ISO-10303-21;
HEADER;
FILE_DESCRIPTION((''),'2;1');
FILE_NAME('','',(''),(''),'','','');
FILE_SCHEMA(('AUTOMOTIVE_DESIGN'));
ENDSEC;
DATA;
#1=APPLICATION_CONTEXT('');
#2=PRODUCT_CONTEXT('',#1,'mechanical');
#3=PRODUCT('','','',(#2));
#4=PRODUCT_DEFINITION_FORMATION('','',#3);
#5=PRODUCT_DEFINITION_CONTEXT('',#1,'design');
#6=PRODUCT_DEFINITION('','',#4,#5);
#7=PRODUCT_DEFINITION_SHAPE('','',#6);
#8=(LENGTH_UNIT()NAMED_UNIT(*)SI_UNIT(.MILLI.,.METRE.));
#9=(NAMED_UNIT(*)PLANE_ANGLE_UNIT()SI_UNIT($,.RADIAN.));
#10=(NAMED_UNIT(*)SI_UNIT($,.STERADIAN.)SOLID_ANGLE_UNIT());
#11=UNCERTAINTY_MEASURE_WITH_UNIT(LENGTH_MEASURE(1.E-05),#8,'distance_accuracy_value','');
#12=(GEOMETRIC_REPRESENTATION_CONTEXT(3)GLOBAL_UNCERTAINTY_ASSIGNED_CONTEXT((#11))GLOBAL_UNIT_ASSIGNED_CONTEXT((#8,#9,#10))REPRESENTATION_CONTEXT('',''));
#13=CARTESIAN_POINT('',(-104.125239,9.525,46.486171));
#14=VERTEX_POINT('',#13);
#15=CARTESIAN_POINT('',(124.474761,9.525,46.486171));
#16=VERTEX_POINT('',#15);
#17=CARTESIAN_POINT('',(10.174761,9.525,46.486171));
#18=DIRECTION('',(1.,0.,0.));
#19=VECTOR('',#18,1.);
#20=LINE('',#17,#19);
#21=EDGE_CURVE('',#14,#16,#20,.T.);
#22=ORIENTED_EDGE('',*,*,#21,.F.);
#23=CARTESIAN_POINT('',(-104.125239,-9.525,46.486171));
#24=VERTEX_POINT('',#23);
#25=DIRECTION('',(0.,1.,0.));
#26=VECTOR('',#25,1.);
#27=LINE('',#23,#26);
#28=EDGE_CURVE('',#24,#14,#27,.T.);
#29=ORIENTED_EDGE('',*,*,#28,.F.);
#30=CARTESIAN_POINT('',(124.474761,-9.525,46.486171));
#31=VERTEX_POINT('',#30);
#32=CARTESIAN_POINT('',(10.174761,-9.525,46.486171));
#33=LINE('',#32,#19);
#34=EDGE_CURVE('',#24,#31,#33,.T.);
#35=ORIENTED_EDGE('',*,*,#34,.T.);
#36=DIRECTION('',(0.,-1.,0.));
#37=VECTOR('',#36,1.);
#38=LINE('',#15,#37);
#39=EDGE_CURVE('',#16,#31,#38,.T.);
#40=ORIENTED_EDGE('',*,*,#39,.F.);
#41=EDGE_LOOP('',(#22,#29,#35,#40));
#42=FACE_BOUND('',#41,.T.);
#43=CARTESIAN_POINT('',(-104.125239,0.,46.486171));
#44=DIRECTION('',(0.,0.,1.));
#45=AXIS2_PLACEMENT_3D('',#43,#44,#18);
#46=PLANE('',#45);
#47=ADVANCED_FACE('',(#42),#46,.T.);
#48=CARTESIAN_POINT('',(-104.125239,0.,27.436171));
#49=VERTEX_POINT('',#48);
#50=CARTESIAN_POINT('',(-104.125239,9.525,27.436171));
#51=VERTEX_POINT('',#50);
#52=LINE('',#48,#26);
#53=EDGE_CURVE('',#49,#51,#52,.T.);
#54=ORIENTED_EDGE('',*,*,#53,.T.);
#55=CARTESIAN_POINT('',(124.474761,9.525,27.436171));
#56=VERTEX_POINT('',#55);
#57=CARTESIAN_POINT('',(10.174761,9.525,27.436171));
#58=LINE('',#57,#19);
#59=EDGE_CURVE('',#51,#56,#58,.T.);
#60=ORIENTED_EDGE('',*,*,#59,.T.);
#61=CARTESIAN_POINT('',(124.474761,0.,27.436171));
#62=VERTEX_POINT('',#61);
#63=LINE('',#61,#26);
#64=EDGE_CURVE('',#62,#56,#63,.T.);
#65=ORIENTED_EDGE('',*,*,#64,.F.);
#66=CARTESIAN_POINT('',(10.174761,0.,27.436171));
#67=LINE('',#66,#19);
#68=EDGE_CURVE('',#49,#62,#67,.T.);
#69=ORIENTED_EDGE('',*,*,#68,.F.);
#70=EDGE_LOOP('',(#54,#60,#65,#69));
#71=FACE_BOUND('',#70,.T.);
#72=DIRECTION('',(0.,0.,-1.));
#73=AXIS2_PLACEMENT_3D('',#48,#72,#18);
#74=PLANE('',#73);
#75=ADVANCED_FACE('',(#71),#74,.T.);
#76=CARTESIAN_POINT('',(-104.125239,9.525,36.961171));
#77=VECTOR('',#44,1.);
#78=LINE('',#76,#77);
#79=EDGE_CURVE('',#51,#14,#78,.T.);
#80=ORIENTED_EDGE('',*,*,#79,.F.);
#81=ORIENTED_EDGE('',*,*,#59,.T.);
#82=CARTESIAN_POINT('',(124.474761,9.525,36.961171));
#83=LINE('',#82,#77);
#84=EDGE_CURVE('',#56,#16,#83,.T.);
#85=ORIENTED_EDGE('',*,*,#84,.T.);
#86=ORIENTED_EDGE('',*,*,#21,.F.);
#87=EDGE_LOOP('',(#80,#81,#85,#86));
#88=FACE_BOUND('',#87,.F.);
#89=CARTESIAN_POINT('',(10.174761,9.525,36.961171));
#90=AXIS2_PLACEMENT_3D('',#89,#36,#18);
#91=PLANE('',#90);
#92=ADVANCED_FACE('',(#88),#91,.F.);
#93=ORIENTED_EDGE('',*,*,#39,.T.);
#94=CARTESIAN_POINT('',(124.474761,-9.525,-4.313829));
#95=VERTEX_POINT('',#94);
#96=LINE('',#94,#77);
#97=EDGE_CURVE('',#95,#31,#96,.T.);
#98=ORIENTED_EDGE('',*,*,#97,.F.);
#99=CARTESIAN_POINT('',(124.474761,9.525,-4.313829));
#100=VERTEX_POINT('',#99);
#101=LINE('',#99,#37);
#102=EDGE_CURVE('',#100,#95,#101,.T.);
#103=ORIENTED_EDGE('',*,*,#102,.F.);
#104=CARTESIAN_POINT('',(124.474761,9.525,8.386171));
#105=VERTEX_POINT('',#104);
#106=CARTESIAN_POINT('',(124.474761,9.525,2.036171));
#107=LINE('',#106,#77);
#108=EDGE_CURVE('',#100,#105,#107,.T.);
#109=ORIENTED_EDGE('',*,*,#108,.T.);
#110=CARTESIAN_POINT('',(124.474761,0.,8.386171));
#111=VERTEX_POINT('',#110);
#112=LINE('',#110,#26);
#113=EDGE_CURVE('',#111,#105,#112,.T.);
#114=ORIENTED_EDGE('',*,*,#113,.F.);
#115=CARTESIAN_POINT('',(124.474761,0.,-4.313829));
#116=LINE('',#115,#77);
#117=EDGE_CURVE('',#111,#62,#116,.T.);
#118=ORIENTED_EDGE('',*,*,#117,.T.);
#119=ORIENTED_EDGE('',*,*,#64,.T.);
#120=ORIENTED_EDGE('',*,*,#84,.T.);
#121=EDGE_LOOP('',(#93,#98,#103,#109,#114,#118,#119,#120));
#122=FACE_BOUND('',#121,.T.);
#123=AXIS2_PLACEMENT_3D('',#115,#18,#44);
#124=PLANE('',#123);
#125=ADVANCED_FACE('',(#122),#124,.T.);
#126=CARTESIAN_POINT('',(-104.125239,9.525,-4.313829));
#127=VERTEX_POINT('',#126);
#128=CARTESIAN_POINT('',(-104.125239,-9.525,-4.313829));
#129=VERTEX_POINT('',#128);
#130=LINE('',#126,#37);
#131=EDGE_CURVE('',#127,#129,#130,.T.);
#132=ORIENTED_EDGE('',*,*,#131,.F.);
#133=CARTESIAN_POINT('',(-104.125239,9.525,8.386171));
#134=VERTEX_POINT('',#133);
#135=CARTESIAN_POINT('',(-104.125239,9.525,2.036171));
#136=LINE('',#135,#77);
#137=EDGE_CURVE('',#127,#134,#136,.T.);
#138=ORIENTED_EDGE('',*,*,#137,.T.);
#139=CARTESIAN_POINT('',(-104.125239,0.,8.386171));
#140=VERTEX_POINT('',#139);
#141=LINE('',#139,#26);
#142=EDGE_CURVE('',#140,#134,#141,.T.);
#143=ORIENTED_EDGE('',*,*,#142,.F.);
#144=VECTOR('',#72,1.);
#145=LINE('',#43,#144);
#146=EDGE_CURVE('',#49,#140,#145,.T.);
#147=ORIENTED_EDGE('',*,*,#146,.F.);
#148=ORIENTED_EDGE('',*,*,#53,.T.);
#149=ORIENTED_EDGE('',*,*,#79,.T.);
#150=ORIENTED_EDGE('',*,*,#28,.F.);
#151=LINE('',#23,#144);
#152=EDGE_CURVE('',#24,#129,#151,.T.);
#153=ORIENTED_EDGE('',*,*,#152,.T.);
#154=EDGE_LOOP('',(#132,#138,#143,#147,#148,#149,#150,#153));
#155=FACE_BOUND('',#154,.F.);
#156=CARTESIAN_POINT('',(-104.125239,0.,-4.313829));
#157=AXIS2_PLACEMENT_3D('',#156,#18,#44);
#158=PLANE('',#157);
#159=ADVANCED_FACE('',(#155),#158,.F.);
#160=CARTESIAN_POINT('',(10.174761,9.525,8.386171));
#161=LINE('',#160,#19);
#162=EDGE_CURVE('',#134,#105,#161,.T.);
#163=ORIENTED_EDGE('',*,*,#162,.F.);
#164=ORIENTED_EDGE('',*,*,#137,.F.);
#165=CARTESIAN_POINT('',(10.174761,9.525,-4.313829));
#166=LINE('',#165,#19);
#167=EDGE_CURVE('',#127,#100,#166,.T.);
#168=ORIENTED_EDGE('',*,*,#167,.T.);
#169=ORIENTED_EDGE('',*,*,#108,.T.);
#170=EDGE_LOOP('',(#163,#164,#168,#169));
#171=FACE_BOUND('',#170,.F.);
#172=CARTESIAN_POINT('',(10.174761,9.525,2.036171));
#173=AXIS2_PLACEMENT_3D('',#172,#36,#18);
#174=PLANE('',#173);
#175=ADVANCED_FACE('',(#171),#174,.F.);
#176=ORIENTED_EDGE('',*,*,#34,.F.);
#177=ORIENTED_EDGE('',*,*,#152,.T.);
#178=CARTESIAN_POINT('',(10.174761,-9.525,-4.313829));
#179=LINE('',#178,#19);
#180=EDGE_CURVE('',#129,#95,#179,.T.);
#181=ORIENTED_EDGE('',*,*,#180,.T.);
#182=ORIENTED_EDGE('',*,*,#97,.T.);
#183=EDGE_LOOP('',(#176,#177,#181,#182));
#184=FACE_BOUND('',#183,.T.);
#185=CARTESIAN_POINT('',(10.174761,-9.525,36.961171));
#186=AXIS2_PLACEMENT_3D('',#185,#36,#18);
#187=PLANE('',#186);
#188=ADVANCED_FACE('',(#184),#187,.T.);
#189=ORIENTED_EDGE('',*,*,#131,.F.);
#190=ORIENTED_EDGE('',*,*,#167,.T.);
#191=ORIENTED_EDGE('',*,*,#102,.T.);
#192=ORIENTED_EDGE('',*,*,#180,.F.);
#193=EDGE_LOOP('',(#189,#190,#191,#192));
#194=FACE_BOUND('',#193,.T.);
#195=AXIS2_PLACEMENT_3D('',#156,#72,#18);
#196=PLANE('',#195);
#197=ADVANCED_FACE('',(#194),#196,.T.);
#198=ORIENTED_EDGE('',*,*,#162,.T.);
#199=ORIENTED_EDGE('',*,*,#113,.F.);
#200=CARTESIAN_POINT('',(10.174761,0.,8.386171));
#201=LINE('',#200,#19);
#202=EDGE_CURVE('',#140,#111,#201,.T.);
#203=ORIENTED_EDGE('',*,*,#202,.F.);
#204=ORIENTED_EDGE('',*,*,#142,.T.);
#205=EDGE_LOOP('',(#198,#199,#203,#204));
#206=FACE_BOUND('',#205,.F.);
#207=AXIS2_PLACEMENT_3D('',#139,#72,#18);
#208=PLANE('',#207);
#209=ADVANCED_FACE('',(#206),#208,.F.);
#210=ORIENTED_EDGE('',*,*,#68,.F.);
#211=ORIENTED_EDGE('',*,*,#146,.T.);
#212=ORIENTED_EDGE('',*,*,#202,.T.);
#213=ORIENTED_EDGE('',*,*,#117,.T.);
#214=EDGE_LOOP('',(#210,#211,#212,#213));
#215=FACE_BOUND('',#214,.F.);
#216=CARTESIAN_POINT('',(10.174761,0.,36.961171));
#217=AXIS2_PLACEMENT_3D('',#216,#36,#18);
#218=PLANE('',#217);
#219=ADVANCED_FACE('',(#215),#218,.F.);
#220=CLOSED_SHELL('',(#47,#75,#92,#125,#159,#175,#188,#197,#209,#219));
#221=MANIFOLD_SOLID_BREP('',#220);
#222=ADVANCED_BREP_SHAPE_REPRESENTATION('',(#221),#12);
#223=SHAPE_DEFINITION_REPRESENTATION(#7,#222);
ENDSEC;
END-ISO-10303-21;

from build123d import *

# Parameters (mm, degrees)
F0_W     = 228.6
F0_H     = 19.05
F0_H_2   = 12.7
F1_DEPTH = 9.525
F2_DEPTH = 9.525


with BuildPart() as f1:
    # F0 (on Front) → F1 (new body)
    with BuildSketch(Plane.XZ):
        with Locations((10.174761, 36.961171)):
            Rectangle(F0_W, F0_H)
        with Locations((10.174761, 17.911171)):
            Rectangle(F0_W, F0_H)
        with Locations((10.174761, 2.036171)):
            Rectangle(F0_W, F0_H_2)
    extrude(amount=F1_DEPTH)

    # F0 (on Front) → F2 (join)
    with BuildSketch(Plane.XZ):
        with Locations((10.174761, 2.036171)):
            Rectangle(F0_W, F0_H_2)
        with Locations((10.174761, 36.961171)):
            Rectangle(F0_W, F0_H)
    extrude(amount=-F2_DEPTH)


solid = f1.part
